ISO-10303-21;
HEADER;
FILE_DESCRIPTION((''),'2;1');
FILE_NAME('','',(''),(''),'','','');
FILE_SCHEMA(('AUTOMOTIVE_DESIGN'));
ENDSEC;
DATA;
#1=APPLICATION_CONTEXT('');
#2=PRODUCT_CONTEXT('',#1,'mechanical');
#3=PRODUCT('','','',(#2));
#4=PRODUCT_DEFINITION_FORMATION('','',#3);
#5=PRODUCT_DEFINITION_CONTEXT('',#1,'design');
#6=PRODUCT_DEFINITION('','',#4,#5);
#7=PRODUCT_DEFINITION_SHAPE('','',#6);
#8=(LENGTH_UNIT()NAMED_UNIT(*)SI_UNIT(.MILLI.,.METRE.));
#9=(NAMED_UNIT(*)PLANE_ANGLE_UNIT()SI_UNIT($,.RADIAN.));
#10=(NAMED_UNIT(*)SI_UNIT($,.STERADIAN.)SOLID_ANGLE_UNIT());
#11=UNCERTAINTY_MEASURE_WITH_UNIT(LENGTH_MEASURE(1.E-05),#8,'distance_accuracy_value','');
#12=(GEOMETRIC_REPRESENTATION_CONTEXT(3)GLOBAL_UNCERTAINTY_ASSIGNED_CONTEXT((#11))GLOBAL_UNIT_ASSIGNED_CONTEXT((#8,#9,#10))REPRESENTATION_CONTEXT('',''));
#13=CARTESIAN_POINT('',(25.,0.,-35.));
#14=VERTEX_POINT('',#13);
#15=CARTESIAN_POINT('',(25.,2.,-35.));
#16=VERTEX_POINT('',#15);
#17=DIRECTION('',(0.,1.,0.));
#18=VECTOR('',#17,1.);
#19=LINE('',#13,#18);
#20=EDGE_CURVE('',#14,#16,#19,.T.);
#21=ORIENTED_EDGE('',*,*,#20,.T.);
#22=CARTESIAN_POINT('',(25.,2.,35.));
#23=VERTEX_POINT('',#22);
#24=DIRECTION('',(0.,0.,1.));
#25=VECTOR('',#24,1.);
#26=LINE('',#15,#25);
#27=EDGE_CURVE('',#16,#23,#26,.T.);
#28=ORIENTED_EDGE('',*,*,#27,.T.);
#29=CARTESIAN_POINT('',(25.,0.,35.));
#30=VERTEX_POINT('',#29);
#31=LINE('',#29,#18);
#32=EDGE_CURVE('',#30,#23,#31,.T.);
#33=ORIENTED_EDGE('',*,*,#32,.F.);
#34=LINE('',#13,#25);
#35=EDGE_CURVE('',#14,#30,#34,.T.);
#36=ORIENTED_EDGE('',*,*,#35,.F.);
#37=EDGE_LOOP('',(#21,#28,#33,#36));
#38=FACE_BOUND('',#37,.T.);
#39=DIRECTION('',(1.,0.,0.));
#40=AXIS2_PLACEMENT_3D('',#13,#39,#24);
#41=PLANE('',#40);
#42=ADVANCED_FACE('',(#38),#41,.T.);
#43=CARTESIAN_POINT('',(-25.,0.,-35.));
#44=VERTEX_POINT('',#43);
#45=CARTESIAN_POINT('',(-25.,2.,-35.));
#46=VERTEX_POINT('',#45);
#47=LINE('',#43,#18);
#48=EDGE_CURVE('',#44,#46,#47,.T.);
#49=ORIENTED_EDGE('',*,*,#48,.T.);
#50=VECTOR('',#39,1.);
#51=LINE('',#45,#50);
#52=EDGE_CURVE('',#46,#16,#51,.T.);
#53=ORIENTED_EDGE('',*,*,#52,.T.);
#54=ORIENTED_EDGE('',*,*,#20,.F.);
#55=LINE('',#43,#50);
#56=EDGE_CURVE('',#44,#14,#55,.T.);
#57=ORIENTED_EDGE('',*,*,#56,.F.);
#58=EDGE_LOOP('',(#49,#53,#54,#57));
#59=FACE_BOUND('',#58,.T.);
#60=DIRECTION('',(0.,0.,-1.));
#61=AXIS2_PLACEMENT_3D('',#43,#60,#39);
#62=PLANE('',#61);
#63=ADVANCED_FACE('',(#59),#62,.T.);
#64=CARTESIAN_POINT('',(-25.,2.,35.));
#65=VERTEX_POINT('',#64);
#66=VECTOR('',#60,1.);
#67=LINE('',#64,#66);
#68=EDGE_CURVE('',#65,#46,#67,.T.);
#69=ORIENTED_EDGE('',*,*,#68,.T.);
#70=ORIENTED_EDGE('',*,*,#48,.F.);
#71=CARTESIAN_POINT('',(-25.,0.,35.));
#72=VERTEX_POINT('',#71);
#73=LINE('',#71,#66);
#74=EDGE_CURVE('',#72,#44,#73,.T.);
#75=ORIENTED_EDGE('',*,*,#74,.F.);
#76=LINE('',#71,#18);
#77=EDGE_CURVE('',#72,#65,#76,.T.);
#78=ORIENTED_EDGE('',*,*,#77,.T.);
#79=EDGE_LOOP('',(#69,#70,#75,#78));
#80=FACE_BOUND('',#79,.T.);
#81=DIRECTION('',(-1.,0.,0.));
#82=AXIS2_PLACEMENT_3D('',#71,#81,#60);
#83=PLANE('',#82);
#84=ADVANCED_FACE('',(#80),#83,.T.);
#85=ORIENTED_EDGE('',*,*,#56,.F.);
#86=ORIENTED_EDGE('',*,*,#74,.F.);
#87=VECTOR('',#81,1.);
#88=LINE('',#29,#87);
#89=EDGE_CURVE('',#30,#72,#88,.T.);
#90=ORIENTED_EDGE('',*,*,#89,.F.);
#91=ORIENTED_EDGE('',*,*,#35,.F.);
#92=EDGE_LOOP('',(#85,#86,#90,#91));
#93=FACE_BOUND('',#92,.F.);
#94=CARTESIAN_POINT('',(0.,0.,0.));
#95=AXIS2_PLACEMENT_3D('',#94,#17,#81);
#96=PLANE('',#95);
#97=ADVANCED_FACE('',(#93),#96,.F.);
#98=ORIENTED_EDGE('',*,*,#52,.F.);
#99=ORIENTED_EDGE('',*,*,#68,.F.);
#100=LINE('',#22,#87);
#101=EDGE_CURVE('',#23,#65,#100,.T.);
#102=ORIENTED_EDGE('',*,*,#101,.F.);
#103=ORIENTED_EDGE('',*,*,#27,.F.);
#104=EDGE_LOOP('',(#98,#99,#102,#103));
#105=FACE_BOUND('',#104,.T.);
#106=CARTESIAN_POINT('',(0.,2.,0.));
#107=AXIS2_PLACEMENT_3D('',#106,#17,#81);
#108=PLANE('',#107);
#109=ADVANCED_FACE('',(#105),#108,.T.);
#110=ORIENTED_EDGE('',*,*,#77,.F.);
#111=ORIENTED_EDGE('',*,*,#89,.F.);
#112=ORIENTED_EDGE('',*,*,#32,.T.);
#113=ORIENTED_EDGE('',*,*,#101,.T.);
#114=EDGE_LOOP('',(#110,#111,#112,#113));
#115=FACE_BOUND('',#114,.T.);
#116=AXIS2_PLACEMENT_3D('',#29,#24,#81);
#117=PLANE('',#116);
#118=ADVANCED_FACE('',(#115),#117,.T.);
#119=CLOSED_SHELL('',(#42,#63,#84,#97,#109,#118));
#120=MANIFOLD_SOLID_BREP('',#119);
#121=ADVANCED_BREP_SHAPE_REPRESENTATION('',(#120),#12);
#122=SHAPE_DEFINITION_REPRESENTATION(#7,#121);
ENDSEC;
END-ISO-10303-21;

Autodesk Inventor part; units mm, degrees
ref_plane "YZ Plane" through (0, 0, 0) normal (1, 0, 0) x (0, 1, 0)
ref_plane "XZ Plane" through (0, 0, 0) normal (0, 1, 0) x (-1, 0, 0)
ref_plane "XY Plane" through (0, 0, 0) normal (0, 0, 1) x (1, 0, 0)
sketch "Sketch1" plane through (0, 0, 0) normal (0, 1, 0) x (-1, 0, 0)
  line L0 (-25, 35) -> (25, 35)
  line L1 (25, 35) -> (25, -35)
  line L2 (25, -35) -> (-25, -35)
  line L3 (-25, -35) -> (-25, 35)
  line L4 (-25, 35) -> (25, -35) construction
  line L5 (25, 35) -> (-25, -35) construction
  point P0 (0, 0)
  dimension "d0" = 70
  dimension "d1" = 50
extrude "Extrusion1" add sketch "Sketch1" along normal blind 2
properties part number "mezzaninePCB"
